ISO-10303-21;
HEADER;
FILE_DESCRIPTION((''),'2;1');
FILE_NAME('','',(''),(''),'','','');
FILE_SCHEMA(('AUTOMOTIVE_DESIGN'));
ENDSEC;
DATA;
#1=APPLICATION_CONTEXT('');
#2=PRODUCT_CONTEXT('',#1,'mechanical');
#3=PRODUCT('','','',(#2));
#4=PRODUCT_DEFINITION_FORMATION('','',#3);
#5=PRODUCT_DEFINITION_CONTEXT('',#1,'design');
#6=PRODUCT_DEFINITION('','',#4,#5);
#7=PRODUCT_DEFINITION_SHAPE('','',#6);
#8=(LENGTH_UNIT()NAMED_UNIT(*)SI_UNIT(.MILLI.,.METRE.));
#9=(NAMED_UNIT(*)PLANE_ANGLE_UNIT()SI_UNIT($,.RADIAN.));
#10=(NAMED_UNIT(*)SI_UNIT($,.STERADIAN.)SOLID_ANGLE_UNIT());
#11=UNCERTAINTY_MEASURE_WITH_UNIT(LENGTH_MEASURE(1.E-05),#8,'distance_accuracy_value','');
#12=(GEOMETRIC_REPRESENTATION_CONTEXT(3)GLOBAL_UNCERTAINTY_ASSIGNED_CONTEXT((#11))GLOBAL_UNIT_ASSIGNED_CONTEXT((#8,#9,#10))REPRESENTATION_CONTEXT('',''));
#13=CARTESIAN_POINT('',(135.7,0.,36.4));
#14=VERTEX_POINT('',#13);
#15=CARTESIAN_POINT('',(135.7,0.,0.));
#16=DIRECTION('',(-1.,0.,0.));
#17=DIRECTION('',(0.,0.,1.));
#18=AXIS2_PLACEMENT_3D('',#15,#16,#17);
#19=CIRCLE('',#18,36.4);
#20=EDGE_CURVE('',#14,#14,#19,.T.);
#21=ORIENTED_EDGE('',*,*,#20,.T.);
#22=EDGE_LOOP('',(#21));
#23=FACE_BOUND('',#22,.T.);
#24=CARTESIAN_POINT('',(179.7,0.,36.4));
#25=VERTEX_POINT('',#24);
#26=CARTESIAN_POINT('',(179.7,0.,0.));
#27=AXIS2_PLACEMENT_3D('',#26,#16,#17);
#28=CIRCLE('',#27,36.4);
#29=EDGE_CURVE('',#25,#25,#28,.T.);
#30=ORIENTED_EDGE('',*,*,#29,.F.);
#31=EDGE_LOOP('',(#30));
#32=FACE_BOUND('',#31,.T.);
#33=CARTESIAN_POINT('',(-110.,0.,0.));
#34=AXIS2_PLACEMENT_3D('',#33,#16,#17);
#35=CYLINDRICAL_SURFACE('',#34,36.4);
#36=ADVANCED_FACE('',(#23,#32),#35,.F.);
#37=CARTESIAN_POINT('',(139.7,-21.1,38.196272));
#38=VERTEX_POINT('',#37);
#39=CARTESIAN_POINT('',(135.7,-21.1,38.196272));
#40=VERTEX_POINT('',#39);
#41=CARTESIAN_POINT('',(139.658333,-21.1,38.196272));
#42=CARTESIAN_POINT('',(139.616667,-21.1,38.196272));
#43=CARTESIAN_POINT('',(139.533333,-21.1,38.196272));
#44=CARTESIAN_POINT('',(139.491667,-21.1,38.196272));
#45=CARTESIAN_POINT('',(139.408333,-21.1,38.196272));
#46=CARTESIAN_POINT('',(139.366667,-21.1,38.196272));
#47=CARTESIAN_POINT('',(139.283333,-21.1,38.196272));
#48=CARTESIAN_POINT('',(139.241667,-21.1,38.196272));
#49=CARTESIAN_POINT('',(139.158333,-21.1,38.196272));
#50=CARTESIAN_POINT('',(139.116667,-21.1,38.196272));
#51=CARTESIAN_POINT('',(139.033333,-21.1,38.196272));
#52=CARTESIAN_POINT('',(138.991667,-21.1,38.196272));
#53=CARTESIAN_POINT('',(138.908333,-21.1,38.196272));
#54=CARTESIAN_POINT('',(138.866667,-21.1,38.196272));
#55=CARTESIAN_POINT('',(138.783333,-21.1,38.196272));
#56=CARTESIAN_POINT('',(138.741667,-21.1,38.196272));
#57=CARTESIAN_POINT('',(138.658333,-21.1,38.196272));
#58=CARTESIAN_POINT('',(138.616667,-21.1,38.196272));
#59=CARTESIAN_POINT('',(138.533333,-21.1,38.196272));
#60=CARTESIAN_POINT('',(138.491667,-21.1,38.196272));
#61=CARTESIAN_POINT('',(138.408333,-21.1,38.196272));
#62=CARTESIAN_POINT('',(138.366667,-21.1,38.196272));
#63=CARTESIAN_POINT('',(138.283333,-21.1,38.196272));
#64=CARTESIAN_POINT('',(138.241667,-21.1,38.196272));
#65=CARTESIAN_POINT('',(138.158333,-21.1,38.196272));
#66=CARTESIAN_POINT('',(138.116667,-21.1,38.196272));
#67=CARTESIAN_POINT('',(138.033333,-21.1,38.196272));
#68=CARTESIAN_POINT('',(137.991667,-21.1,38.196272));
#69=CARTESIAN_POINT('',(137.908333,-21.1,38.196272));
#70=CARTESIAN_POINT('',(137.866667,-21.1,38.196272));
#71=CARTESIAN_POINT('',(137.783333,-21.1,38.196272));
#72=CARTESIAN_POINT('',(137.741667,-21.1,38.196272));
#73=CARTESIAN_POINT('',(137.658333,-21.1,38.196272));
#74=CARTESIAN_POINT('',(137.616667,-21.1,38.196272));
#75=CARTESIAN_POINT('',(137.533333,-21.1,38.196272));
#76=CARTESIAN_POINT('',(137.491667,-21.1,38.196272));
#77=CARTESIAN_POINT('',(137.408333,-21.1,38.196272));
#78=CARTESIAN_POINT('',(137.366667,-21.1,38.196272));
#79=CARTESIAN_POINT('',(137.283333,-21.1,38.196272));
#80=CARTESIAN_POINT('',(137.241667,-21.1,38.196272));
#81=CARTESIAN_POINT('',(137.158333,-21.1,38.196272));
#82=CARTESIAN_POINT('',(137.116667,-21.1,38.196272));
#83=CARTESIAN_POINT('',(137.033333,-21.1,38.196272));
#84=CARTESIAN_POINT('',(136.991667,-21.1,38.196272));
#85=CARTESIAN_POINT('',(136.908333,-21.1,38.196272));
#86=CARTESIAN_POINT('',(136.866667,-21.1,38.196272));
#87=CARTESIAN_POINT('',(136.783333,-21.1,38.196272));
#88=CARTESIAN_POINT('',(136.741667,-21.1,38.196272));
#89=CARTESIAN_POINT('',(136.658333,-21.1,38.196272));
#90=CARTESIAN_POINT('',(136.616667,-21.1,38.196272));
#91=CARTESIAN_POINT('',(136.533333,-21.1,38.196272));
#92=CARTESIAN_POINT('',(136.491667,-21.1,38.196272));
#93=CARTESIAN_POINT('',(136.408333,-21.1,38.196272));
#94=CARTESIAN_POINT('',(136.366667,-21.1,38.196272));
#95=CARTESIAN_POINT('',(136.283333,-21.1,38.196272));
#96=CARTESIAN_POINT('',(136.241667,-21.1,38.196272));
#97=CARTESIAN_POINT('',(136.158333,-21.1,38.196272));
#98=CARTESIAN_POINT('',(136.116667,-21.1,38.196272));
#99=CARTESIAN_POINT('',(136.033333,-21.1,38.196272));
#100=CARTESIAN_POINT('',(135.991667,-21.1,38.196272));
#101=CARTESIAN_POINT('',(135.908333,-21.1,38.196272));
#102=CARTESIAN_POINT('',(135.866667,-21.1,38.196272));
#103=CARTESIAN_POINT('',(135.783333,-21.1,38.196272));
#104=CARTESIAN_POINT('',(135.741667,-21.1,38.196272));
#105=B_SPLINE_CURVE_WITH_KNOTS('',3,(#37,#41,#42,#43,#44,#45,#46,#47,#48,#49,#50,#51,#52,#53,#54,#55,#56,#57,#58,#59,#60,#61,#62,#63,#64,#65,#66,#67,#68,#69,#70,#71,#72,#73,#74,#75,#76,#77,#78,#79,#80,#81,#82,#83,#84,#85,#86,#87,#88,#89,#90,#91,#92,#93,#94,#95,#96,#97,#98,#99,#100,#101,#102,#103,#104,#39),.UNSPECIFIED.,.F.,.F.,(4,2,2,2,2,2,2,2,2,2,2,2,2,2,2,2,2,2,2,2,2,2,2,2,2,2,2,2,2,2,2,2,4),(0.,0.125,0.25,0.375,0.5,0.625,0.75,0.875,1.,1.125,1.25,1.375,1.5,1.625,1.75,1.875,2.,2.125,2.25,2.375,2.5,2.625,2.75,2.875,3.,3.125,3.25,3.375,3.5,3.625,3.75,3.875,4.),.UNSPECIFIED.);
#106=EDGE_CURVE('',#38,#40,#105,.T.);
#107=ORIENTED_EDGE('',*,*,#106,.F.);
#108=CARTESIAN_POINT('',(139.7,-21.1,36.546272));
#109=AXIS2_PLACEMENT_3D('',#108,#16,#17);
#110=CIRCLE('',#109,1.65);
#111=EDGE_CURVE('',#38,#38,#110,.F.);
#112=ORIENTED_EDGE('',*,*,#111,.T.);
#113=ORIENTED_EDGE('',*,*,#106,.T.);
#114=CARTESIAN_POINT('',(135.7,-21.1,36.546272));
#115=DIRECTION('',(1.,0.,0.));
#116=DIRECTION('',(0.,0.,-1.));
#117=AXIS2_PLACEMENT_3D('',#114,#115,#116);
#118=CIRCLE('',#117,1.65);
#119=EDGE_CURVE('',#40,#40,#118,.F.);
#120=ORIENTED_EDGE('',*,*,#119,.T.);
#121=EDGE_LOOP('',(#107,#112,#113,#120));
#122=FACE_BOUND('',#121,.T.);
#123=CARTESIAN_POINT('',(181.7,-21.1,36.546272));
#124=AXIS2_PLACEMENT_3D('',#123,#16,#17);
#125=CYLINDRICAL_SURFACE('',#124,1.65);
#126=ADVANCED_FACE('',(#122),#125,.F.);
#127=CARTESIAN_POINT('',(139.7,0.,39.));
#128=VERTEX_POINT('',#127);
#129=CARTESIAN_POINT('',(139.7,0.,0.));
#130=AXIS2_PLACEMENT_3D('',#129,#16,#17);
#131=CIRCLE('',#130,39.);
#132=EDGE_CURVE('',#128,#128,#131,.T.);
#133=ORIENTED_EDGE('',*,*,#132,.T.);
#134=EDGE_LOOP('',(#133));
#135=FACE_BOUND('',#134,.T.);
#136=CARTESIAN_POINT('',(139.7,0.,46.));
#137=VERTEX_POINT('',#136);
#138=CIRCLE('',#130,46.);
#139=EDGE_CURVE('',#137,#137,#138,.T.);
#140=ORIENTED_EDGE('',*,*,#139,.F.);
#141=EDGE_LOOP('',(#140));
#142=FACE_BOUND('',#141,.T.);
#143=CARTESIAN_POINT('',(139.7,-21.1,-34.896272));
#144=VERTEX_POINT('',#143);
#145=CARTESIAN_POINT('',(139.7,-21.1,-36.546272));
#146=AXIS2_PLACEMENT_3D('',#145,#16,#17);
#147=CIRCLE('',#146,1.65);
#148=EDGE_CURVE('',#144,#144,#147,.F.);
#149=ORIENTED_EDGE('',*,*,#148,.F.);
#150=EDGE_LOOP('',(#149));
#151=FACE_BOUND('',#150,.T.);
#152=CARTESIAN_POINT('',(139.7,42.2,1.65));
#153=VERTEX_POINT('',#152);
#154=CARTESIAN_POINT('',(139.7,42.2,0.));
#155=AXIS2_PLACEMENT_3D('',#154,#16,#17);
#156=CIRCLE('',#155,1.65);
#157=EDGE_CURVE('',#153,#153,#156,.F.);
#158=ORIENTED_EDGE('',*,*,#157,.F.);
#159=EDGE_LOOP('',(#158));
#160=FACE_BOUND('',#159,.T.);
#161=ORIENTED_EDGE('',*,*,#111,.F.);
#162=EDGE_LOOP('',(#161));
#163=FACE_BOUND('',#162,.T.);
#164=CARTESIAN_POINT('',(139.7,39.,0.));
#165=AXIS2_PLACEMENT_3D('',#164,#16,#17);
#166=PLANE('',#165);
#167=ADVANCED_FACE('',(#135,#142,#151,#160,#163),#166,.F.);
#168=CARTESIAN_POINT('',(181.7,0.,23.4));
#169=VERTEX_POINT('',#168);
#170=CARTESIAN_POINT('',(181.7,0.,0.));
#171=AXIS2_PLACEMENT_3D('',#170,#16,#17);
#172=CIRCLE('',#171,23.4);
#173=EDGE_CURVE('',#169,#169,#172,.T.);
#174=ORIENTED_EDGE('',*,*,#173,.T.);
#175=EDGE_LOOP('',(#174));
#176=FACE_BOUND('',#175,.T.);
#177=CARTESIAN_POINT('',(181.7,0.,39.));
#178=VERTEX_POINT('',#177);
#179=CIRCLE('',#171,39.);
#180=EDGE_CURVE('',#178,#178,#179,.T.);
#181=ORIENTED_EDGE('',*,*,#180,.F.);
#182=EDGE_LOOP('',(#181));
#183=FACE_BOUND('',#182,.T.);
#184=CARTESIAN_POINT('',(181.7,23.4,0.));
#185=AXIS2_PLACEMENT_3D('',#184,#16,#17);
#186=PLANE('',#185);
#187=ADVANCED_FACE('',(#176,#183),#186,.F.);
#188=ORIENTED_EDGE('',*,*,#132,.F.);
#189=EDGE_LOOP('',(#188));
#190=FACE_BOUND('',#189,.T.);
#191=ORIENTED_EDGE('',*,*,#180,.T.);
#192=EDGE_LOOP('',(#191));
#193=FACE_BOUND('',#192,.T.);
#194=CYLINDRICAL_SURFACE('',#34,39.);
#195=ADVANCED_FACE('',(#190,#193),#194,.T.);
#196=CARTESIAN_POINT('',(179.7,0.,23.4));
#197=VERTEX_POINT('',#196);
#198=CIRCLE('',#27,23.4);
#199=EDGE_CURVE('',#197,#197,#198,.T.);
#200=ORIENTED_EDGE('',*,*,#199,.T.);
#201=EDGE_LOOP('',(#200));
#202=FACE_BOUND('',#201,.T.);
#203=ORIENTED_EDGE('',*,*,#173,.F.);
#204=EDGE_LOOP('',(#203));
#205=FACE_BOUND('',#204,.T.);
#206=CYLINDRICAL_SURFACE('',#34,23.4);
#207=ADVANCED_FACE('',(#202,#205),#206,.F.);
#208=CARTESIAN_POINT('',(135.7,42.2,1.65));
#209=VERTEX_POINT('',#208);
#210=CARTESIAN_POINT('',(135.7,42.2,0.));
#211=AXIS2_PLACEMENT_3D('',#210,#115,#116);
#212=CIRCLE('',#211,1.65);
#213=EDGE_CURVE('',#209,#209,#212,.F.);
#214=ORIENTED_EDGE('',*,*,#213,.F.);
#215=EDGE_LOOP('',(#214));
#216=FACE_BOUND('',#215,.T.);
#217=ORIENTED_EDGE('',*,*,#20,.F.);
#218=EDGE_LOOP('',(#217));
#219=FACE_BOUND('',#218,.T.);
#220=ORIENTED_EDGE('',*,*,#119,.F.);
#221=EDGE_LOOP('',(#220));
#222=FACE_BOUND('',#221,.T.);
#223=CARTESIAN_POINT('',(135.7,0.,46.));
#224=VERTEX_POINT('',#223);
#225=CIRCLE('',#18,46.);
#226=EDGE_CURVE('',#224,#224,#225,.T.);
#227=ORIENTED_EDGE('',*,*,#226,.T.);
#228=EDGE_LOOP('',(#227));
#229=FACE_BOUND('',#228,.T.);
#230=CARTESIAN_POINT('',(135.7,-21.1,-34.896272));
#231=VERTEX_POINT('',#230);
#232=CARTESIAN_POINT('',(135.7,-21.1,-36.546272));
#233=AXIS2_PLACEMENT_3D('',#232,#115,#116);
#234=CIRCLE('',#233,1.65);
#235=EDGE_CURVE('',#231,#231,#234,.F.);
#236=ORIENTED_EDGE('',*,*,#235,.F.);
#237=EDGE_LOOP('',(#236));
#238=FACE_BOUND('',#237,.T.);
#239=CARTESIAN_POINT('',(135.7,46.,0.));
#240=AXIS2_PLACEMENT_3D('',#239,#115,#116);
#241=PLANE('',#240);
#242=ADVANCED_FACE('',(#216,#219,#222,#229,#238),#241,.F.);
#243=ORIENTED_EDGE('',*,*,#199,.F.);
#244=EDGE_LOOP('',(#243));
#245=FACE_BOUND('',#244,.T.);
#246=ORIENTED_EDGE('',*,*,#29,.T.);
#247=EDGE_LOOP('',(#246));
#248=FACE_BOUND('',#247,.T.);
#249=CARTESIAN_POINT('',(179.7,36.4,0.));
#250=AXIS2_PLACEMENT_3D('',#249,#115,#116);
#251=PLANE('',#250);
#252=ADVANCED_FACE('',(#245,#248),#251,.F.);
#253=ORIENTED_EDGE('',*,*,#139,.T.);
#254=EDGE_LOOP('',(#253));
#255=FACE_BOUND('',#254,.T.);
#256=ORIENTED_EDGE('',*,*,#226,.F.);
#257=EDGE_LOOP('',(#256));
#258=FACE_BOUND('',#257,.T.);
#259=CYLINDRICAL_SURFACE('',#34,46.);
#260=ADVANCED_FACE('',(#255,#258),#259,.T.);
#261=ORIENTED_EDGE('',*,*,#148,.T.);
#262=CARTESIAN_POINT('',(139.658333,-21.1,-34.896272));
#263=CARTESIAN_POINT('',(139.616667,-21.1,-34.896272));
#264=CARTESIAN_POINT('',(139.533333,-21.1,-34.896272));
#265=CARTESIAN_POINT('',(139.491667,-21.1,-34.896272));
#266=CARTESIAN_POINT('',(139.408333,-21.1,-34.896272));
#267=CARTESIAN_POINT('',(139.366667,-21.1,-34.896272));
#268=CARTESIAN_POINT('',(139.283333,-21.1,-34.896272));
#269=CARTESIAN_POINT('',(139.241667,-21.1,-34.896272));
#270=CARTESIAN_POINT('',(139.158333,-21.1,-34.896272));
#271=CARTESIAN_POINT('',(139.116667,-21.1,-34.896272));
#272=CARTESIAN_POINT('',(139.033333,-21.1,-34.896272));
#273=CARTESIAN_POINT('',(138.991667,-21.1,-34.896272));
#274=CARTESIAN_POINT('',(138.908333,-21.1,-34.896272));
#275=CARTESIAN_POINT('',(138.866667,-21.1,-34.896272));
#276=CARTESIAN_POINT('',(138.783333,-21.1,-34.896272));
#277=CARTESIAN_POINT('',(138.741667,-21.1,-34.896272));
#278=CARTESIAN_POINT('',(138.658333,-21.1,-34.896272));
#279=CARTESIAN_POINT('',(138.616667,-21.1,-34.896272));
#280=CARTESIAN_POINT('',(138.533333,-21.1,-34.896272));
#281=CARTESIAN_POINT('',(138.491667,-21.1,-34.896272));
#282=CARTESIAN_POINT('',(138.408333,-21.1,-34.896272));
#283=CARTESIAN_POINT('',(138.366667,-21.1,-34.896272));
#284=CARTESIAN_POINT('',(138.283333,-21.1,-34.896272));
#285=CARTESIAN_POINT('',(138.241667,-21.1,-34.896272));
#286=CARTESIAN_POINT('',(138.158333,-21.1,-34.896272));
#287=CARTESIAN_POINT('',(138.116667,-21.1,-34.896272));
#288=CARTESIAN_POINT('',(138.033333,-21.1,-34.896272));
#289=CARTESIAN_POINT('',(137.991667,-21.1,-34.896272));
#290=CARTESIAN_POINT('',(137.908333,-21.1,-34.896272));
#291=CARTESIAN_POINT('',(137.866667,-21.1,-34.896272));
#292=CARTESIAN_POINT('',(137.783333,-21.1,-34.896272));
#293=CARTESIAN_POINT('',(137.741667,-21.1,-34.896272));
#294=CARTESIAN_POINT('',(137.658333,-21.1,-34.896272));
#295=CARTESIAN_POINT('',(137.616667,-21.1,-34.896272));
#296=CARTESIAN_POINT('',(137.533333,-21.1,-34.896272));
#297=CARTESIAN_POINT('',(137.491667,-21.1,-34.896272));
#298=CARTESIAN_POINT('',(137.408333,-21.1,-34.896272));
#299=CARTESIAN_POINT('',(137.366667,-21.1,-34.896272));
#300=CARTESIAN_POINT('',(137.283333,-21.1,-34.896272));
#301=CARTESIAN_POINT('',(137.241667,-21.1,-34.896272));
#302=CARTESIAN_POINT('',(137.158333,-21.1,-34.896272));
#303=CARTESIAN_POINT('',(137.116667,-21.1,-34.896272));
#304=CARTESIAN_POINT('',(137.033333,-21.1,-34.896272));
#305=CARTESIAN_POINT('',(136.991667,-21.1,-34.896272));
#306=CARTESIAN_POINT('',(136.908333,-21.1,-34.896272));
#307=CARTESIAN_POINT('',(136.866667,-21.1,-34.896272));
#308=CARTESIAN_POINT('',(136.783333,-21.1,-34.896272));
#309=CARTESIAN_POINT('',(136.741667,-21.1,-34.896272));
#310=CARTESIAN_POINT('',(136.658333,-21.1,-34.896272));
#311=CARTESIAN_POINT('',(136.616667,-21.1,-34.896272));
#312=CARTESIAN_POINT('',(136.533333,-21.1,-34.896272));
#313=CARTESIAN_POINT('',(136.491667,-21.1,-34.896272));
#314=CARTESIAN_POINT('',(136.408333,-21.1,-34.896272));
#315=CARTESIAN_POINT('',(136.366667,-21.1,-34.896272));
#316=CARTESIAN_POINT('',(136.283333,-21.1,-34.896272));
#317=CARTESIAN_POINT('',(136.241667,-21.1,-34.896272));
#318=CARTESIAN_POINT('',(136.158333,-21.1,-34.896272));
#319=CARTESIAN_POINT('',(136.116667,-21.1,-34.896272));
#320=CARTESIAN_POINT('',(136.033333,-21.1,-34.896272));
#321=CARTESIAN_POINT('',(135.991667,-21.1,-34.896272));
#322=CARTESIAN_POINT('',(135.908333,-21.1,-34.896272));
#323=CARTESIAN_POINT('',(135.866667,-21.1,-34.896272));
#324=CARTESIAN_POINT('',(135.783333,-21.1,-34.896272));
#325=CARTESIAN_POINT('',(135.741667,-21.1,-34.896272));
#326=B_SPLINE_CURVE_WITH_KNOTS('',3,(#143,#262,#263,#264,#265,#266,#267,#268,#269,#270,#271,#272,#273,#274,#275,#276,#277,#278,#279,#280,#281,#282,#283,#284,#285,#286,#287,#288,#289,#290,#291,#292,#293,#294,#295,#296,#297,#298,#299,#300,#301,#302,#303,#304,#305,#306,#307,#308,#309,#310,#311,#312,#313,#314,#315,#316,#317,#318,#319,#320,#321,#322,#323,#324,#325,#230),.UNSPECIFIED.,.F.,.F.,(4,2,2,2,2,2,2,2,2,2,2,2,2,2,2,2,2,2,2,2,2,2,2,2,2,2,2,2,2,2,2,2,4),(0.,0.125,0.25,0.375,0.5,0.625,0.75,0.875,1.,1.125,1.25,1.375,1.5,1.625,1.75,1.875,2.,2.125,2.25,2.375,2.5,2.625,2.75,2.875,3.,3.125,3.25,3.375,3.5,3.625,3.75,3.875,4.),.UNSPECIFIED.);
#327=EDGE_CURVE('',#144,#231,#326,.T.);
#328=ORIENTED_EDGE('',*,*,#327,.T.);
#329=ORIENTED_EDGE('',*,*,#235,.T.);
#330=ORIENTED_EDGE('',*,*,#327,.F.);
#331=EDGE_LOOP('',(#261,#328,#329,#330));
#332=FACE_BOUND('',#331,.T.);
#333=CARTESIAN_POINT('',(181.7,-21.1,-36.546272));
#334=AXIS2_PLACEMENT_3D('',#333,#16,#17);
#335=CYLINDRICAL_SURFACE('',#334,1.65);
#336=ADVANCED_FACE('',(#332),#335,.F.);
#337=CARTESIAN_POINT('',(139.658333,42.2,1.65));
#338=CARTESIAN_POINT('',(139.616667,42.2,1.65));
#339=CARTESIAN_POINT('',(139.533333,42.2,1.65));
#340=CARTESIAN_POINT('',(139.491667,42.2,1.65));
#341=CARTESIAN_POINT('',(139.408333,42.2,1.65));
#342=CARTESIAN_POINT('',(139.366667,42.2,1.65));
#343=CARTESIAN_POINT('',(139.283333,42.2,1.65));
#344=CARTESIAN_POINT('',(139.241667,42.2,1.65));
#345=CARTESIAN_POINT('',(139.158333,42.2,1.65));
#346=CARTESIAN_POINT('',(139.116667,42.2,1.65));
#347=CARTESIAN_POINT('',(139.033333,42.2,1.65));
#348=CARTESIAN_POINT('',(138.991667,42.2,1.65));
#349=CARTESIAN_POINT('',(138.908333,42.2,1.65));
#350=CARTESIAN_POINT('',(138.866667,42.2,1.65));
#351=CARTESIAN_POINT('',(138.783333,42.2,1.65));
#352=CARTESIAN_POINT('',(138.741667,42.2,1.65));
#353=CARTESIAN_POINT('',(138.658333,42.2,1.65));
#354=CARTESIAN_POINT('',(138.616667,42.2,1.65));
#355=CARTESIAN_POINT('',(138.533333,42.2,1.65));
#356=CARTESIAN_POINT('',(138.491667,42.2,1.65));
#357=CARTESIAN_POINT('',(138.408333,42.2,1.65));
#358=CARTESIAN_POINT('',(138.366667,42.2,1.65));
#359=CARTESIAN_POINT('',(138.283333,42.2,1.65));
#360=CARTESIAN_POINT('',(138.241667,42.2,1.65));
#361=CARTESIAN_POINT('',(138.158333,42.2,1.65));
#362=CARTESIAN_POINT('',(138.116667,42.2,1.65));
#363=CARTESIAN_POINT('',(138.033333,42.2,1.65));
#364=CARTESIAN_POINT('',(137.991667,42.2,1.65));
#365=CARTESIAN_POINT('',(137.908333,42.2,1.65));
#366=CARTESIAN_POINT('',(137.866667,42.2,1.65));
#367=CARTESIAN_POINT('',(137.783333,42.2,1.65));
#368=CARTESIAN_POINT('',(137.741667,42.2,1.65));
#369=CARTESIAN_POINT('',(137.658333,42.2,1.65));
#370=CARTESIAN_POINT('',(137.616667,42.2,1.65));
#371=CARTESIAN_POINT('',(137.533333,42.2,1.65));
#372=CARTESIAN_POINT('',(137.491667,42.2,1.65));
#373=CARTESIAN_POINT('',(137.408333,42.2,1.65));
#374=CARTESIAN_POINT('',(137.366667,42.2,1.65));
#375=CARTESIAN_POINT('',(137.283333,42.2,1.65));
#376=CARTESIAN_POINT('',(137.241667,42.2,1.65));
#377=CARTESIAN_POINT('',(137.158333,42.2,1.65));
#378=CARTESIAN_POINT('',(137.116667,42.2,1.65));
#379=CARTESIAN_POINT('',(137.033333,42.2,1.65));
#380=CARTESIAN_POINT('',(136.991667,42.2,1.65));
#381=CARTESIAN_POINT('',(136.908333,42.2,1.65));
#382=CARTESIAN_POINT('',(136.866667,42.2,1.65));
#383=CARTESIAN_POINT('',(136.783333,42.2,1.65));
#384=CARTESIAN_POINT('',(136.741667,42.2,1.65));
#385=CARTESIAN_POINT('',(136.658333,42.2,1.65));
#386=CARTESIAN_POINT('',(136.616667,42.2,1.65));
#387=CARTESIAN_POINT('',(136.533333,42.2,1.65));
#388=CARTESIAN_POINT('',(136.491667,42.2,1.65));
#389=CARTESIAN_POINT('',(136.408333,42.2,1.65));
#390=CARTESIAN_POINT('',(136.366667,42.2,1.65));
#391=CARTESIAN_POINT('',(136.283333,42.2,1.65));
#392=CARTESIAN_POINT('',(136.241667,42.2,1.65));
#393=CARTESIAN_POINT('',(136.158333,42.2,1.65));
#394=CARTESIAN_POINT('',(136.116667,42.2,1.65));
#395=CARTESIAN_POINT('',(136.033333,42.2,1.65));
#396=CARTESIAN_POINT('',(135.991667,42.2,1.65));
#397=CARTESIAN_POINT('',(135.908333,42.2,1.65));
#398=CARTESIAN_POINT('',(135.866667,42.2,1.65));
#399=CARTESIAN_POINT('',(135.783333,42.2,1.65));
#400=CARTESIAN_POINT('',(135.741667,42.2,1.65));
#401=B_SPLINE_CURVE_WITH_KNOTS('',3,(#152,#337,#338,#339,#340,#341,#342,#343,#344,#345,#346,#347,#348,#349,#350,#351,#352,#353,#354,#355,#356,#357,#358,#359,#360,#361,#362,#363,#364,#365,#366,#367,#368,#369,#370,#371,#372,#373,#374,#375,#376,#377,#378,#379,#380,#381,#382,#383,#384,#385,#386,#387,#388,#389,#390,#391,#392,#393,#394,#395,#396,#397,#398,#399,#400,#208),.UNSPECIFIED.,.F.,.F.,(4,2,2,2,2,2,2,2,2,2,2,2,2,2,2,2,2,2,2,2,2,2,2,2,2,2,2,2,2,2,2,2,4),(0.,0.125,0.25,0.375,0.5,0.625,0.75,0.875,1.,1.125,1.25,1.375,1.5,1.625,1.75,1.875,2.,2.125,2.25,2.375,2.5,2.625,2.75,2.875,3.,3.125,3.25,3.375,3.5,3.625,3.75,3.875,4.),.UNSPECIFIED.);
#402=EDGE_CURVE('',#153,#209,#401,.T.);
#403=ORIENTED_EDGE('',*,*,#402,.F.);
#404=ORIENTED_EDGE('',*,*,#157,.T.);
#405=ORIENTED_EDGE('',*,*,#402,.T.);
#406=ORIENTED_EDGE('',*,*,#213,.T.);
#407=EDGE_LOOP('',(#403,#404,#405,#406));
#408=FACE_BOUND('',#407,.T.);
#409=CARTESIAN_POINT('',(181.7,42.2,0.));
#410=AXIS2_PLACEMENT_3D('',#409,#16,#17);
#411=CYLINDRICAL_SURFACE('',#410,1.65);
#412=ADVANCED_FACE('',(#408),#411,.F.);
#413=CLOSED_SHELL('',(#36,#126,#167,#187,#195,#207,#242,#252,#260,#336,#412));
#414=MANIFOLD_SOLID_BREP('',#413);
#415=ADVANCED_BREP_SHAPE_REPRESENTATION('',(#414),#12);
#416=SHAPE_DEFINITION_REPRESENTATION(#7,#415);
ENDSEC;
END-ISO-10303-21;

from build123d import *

# Parameters (mm, degrees)
AXIAL_HOLES_DEPTH      = 193.994533601
AXIAL_HOLES_DEPTH_BACK = 193.994533601
SKETCH2_R              = 1.65


with BuildPart() as part:
    # Axial profile (mm) → Full revolution (revolve)
    with BuildSketch(Plane.XY, mode=Mode.PRIVATE) as full_revolution_sk:
        Polygon((135.7, 36.4), (179.7, 36.4), (179.7, 23.4), (181.7, 23.4), (181.7, 39), (139.7, 39), (139.7, 46), (135.7, 46), align=None)
    revolve(full_revolution_sk.sketch.rotate(Axis((-110, 0, 0), (1, 0, 0)), 90), axis=Axis((-110, 0, 0), (1, 0, 0)))

    # Sketch2 → Axial holes (cut, two sides: drawn at the far end of the back side and taken through both)
    with BuildSketch(Plane(origin=(0, 0, 0), x_dir=(0, 0, -1), z_dir=(1, 0, 0)).offset(-AXIAL_HOLES_DEPTH_BACK)):
        with Locations(Location((0, 42.2, 0), (0, 0, 180))):
            Circle(SKETCH2_R)
        with Locations(Location((-36.54627204, -21.1, 0), (0, 0, 180))):
            Circle(SKETCH2_R)
        with Locations(Location((36.54627204, -21.1, 0), (0, 0, 180))):
            Circle(SKETCH2_R)
    extrude(amount=AXIAL_HOLES_DEPTH + AXIAL_HOLES_DEPTH_BACK, mode=Mode.SUBTRACT)


solid = part.part
